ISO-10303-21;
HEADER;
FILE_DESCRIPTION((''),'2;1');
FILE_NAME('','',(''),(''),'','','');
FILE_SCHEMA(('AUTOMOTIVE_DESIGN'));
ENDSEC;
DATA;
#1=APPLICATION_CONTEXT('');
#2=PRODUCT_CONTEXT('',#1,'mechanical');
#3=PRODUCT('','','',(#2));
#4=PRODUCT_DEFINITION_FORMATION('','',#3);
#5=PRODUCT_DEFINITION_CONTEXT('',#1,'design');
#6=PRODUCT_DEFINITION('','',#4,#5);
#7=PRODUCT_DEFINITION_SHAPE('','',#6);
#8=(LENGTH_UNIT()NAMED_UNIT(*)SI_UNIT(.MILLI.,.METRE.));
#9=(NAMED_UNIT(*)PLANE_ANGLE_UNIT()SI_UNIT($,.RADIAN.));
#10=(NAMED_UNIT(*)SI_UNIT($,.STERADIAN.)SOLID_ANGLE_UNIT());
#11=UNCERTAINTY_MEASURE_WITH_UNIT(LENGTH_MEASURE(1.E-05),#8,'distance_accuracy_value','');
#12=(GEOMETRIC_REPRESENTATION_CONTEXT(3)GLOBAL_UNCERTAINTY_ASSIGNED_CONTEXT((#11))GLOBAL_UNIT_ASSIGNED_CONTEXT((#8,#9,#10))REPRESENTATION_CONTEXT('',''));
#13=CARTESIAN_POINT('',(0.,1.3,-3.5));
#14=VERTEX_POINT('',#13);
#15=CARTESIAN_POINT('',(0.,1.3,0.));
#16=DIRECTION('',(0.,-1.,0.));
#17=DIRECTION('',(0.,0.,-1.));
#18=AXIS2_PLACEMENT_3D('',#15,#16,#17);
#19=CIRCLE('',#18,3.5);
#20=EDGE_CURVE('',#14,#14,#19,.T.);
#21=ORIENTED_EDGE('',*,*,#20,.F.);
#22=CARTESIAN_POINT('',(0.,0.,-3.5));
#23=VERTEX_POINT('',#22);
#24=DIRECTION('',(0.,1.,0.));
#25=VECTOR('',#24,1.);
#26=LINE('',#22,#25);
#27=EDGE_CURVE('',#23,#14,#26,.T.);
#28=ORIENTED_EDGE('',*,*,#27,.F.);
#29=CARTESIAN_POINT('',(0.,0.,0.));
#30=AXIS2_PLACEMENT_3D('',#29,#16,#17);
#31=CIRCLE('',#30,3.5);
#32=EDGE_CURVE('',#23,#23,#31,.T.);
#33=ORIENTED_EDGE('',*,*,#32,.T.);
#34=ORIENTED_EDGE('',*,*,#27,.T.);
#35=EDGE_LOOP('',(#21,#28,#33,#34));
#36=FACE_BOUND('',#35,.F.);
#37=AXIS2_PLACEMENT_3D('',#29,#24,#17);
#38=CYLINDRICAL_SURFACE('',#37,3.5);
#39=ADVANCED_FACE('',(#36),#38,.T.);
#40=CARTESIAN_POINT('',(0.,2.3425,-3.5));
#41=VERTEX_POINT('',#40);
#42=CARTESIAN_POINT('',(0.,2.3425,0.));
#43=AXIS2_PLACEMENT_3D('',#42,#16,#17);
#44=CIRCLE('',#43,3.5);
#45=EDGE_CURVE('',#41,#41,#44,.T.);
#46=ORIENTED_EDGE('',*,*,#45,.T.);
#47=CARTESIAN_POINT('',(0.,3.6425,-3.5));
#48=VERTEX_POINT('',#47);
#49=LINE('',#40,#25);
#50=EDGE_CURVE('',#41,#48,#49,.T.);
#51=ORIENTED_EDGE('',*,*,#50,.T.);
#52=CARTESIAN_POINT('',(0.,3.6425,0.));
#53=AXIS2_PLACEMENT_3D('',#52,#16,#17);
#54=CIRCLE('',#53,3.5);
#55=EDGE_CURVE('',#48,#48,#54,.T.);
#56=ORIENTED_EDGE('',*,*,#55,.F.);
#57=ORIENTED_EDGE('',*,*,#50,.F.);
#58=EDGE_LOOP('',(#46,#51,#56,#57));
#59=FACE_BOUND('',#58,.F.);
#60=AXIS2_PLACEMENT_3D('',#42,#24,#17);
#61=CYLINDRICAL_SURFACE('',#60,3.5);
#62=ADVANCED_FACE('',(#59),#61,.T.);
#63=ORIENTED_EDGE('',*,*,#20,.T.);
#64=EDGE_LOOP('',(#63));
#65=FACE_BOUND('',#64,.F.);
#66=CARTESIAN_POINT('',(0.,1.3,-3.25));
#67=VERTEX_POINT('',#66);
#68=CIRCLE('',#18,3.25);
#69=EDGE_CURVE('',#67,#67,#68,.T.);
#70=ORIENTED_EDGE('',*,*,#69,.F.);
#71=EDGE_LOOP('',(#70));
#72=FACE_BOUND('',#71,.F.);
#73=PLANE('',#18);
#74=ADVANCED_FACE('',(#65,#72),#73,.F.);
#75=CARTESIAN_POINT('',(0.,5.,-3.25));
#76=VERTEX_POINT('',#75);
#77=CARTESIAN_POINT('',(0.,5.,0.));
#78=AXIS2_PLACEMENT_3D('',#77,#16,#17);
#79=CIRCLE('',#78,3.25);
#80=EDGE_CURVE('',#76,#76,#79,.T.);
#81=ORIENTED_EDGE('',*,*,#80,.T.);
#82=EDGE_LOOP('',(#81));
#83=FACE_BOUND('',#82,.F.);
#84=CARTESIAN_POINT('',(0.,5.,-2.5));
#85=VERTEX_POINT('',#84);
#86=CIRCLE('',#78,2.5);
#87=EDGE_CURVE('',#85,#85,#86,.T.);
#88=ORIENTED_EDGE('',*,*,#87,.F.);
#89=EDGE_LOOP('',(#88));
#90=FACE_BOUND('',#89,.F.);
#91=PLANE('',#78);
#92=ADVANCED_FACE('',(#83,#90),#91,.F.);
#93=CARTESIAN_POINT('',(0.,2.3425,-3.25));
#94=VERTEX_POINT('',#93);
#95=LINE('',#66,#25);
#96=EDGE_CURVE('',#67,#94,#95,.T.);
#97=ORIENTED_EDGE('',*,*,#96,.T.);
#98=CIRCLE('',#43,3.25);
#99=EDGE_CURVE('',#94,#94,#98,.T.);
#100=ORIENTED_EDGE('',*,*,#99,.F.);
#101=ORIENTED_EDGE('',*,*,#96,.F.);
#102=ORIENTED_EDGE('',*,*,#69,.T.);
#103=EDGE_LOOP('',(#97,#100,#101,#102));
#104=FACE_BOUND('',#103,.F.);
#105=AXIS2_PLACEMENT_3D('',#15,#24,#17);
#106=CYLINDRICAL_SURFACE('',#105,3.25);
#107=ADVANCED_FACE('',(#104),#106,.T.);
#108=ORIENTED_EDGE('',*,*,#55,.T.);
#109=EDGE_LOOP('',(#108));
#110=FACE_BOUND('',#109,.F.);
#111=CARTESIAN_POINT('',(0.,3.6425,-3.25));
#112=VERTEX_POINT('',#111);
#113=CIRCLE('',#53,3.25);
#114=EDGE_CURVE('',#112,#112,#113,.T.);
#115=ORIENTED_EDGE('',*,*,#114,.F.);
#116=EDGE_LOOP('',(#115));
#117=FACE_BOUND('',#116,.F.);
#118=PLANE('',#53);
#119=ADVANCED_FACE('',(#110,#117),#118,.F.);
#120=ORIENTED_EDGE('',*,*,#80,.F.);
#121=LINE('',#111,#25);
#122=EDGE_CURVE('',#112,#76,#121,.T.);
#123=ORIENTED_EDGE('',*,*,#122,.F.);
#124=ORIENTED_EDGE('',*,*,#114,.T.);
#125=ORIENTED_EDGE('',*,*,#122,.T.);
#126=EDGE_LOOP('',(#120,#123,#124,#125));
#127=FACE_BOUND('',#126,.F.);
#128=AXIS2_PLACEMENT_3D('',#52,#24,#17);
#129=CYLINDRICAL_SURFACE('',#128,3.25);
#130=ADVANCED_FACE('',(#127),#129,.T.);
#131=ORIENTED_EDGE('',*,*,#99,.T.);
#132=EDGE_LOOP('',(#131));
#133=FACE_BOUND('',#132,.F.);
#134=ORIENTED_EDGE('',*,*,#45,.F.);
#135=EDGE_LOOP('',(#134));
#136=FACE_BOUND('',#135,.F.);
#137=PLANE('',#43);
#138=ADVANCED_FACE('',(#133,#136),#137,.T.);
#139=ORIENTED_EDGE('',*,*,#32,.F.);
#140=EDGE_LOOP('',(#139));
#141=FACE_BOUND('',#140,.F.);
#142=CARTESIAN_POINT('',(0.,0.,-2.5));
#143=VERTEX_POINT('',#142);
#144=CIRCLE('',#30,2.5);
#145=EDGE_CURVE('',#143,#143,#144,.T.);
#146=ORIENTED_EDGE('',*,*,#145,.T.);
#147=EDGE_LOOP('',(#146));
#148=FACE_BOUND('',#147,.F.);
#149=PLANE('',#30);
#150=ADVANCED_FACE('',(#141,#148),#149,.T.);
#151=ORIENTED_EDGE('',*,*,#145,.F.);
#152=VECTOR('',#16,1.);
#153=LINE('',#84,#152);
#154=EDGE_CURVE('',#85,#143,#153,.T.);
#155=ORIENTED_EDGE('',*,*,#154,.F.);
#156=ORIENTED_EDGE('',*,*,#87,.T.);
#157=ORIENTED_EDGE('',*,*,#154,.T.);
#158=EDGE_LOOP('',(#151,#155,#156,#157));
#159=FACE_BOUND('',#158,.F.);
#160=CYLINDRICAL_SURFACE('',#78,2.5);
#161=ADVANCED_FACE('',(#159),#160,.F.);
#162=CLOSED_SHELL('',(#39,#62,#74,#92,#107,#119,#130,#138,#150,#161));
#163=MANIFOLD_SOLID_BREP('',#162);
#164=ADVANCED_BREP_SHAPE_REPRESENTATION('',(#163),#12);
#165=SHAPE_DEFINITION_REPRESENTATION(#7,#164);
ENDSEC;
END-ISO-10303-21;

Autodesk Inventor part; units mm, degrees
ref_plane "YZ Plane" through (0, 0, 0) normal (1, 0, 0) x (0, 1, 0)
ref_plane "XZ Plane" through (0, 0, 0) normal (0, 1, 0) x (-1, 0, 0)
ref_plane "XY Plane" through (0, 0, 0) normal (0, 0, 1) x (1, 0, 0)
sketch "Sketch1" plane through (0, 0, 0) normal (1, 0, 0) x (0, 1, 0)
  line L0 (0, 0) -> (0, -3.5)
  line L1 (0, -3.5) -> (1.3, -3.5)
  line L2 (1.3, -3.5) -> (1.3, -3.25)
  line L3 (1.3, -3.25) -> (2.3425, -3.25)
  line L4 (2.3425, -3.25) -> (2.3425, -3.5)
  line L5 (2.3425, -3.5) -> (3.6425, -3.5)
  line L6 (3.6425, -3.5) -> (3.6425, -3.25)
  line L7 (3.6425, -3.25) -> (5, -3.25)
  line L8 (5, -3.25) -> (5, 0)
  line L9 (5, 0) -> (0, 0)
  line L10 (5, -2.5) -> (0, -2.5)
  point P0 (1.8212, -3.25)
  dimension "d0" = 3.25
  dimension "d1" = 5
  dimension "d2" = 3.5
  dimension "d3" = 1.3
  dimension "d4" = 1.3
  dimension "d5" = 2.5
revolve "Revolution1" add sketch "Sketch1" angle 360 about axis through (0, 5, 0) along (0, -1, 0) contours L10 L8 L7 L6 L5 L4 L3 L2 L1 L0
equation "\"d4\" = d3"
properties part number "M5 heat set inserts"
